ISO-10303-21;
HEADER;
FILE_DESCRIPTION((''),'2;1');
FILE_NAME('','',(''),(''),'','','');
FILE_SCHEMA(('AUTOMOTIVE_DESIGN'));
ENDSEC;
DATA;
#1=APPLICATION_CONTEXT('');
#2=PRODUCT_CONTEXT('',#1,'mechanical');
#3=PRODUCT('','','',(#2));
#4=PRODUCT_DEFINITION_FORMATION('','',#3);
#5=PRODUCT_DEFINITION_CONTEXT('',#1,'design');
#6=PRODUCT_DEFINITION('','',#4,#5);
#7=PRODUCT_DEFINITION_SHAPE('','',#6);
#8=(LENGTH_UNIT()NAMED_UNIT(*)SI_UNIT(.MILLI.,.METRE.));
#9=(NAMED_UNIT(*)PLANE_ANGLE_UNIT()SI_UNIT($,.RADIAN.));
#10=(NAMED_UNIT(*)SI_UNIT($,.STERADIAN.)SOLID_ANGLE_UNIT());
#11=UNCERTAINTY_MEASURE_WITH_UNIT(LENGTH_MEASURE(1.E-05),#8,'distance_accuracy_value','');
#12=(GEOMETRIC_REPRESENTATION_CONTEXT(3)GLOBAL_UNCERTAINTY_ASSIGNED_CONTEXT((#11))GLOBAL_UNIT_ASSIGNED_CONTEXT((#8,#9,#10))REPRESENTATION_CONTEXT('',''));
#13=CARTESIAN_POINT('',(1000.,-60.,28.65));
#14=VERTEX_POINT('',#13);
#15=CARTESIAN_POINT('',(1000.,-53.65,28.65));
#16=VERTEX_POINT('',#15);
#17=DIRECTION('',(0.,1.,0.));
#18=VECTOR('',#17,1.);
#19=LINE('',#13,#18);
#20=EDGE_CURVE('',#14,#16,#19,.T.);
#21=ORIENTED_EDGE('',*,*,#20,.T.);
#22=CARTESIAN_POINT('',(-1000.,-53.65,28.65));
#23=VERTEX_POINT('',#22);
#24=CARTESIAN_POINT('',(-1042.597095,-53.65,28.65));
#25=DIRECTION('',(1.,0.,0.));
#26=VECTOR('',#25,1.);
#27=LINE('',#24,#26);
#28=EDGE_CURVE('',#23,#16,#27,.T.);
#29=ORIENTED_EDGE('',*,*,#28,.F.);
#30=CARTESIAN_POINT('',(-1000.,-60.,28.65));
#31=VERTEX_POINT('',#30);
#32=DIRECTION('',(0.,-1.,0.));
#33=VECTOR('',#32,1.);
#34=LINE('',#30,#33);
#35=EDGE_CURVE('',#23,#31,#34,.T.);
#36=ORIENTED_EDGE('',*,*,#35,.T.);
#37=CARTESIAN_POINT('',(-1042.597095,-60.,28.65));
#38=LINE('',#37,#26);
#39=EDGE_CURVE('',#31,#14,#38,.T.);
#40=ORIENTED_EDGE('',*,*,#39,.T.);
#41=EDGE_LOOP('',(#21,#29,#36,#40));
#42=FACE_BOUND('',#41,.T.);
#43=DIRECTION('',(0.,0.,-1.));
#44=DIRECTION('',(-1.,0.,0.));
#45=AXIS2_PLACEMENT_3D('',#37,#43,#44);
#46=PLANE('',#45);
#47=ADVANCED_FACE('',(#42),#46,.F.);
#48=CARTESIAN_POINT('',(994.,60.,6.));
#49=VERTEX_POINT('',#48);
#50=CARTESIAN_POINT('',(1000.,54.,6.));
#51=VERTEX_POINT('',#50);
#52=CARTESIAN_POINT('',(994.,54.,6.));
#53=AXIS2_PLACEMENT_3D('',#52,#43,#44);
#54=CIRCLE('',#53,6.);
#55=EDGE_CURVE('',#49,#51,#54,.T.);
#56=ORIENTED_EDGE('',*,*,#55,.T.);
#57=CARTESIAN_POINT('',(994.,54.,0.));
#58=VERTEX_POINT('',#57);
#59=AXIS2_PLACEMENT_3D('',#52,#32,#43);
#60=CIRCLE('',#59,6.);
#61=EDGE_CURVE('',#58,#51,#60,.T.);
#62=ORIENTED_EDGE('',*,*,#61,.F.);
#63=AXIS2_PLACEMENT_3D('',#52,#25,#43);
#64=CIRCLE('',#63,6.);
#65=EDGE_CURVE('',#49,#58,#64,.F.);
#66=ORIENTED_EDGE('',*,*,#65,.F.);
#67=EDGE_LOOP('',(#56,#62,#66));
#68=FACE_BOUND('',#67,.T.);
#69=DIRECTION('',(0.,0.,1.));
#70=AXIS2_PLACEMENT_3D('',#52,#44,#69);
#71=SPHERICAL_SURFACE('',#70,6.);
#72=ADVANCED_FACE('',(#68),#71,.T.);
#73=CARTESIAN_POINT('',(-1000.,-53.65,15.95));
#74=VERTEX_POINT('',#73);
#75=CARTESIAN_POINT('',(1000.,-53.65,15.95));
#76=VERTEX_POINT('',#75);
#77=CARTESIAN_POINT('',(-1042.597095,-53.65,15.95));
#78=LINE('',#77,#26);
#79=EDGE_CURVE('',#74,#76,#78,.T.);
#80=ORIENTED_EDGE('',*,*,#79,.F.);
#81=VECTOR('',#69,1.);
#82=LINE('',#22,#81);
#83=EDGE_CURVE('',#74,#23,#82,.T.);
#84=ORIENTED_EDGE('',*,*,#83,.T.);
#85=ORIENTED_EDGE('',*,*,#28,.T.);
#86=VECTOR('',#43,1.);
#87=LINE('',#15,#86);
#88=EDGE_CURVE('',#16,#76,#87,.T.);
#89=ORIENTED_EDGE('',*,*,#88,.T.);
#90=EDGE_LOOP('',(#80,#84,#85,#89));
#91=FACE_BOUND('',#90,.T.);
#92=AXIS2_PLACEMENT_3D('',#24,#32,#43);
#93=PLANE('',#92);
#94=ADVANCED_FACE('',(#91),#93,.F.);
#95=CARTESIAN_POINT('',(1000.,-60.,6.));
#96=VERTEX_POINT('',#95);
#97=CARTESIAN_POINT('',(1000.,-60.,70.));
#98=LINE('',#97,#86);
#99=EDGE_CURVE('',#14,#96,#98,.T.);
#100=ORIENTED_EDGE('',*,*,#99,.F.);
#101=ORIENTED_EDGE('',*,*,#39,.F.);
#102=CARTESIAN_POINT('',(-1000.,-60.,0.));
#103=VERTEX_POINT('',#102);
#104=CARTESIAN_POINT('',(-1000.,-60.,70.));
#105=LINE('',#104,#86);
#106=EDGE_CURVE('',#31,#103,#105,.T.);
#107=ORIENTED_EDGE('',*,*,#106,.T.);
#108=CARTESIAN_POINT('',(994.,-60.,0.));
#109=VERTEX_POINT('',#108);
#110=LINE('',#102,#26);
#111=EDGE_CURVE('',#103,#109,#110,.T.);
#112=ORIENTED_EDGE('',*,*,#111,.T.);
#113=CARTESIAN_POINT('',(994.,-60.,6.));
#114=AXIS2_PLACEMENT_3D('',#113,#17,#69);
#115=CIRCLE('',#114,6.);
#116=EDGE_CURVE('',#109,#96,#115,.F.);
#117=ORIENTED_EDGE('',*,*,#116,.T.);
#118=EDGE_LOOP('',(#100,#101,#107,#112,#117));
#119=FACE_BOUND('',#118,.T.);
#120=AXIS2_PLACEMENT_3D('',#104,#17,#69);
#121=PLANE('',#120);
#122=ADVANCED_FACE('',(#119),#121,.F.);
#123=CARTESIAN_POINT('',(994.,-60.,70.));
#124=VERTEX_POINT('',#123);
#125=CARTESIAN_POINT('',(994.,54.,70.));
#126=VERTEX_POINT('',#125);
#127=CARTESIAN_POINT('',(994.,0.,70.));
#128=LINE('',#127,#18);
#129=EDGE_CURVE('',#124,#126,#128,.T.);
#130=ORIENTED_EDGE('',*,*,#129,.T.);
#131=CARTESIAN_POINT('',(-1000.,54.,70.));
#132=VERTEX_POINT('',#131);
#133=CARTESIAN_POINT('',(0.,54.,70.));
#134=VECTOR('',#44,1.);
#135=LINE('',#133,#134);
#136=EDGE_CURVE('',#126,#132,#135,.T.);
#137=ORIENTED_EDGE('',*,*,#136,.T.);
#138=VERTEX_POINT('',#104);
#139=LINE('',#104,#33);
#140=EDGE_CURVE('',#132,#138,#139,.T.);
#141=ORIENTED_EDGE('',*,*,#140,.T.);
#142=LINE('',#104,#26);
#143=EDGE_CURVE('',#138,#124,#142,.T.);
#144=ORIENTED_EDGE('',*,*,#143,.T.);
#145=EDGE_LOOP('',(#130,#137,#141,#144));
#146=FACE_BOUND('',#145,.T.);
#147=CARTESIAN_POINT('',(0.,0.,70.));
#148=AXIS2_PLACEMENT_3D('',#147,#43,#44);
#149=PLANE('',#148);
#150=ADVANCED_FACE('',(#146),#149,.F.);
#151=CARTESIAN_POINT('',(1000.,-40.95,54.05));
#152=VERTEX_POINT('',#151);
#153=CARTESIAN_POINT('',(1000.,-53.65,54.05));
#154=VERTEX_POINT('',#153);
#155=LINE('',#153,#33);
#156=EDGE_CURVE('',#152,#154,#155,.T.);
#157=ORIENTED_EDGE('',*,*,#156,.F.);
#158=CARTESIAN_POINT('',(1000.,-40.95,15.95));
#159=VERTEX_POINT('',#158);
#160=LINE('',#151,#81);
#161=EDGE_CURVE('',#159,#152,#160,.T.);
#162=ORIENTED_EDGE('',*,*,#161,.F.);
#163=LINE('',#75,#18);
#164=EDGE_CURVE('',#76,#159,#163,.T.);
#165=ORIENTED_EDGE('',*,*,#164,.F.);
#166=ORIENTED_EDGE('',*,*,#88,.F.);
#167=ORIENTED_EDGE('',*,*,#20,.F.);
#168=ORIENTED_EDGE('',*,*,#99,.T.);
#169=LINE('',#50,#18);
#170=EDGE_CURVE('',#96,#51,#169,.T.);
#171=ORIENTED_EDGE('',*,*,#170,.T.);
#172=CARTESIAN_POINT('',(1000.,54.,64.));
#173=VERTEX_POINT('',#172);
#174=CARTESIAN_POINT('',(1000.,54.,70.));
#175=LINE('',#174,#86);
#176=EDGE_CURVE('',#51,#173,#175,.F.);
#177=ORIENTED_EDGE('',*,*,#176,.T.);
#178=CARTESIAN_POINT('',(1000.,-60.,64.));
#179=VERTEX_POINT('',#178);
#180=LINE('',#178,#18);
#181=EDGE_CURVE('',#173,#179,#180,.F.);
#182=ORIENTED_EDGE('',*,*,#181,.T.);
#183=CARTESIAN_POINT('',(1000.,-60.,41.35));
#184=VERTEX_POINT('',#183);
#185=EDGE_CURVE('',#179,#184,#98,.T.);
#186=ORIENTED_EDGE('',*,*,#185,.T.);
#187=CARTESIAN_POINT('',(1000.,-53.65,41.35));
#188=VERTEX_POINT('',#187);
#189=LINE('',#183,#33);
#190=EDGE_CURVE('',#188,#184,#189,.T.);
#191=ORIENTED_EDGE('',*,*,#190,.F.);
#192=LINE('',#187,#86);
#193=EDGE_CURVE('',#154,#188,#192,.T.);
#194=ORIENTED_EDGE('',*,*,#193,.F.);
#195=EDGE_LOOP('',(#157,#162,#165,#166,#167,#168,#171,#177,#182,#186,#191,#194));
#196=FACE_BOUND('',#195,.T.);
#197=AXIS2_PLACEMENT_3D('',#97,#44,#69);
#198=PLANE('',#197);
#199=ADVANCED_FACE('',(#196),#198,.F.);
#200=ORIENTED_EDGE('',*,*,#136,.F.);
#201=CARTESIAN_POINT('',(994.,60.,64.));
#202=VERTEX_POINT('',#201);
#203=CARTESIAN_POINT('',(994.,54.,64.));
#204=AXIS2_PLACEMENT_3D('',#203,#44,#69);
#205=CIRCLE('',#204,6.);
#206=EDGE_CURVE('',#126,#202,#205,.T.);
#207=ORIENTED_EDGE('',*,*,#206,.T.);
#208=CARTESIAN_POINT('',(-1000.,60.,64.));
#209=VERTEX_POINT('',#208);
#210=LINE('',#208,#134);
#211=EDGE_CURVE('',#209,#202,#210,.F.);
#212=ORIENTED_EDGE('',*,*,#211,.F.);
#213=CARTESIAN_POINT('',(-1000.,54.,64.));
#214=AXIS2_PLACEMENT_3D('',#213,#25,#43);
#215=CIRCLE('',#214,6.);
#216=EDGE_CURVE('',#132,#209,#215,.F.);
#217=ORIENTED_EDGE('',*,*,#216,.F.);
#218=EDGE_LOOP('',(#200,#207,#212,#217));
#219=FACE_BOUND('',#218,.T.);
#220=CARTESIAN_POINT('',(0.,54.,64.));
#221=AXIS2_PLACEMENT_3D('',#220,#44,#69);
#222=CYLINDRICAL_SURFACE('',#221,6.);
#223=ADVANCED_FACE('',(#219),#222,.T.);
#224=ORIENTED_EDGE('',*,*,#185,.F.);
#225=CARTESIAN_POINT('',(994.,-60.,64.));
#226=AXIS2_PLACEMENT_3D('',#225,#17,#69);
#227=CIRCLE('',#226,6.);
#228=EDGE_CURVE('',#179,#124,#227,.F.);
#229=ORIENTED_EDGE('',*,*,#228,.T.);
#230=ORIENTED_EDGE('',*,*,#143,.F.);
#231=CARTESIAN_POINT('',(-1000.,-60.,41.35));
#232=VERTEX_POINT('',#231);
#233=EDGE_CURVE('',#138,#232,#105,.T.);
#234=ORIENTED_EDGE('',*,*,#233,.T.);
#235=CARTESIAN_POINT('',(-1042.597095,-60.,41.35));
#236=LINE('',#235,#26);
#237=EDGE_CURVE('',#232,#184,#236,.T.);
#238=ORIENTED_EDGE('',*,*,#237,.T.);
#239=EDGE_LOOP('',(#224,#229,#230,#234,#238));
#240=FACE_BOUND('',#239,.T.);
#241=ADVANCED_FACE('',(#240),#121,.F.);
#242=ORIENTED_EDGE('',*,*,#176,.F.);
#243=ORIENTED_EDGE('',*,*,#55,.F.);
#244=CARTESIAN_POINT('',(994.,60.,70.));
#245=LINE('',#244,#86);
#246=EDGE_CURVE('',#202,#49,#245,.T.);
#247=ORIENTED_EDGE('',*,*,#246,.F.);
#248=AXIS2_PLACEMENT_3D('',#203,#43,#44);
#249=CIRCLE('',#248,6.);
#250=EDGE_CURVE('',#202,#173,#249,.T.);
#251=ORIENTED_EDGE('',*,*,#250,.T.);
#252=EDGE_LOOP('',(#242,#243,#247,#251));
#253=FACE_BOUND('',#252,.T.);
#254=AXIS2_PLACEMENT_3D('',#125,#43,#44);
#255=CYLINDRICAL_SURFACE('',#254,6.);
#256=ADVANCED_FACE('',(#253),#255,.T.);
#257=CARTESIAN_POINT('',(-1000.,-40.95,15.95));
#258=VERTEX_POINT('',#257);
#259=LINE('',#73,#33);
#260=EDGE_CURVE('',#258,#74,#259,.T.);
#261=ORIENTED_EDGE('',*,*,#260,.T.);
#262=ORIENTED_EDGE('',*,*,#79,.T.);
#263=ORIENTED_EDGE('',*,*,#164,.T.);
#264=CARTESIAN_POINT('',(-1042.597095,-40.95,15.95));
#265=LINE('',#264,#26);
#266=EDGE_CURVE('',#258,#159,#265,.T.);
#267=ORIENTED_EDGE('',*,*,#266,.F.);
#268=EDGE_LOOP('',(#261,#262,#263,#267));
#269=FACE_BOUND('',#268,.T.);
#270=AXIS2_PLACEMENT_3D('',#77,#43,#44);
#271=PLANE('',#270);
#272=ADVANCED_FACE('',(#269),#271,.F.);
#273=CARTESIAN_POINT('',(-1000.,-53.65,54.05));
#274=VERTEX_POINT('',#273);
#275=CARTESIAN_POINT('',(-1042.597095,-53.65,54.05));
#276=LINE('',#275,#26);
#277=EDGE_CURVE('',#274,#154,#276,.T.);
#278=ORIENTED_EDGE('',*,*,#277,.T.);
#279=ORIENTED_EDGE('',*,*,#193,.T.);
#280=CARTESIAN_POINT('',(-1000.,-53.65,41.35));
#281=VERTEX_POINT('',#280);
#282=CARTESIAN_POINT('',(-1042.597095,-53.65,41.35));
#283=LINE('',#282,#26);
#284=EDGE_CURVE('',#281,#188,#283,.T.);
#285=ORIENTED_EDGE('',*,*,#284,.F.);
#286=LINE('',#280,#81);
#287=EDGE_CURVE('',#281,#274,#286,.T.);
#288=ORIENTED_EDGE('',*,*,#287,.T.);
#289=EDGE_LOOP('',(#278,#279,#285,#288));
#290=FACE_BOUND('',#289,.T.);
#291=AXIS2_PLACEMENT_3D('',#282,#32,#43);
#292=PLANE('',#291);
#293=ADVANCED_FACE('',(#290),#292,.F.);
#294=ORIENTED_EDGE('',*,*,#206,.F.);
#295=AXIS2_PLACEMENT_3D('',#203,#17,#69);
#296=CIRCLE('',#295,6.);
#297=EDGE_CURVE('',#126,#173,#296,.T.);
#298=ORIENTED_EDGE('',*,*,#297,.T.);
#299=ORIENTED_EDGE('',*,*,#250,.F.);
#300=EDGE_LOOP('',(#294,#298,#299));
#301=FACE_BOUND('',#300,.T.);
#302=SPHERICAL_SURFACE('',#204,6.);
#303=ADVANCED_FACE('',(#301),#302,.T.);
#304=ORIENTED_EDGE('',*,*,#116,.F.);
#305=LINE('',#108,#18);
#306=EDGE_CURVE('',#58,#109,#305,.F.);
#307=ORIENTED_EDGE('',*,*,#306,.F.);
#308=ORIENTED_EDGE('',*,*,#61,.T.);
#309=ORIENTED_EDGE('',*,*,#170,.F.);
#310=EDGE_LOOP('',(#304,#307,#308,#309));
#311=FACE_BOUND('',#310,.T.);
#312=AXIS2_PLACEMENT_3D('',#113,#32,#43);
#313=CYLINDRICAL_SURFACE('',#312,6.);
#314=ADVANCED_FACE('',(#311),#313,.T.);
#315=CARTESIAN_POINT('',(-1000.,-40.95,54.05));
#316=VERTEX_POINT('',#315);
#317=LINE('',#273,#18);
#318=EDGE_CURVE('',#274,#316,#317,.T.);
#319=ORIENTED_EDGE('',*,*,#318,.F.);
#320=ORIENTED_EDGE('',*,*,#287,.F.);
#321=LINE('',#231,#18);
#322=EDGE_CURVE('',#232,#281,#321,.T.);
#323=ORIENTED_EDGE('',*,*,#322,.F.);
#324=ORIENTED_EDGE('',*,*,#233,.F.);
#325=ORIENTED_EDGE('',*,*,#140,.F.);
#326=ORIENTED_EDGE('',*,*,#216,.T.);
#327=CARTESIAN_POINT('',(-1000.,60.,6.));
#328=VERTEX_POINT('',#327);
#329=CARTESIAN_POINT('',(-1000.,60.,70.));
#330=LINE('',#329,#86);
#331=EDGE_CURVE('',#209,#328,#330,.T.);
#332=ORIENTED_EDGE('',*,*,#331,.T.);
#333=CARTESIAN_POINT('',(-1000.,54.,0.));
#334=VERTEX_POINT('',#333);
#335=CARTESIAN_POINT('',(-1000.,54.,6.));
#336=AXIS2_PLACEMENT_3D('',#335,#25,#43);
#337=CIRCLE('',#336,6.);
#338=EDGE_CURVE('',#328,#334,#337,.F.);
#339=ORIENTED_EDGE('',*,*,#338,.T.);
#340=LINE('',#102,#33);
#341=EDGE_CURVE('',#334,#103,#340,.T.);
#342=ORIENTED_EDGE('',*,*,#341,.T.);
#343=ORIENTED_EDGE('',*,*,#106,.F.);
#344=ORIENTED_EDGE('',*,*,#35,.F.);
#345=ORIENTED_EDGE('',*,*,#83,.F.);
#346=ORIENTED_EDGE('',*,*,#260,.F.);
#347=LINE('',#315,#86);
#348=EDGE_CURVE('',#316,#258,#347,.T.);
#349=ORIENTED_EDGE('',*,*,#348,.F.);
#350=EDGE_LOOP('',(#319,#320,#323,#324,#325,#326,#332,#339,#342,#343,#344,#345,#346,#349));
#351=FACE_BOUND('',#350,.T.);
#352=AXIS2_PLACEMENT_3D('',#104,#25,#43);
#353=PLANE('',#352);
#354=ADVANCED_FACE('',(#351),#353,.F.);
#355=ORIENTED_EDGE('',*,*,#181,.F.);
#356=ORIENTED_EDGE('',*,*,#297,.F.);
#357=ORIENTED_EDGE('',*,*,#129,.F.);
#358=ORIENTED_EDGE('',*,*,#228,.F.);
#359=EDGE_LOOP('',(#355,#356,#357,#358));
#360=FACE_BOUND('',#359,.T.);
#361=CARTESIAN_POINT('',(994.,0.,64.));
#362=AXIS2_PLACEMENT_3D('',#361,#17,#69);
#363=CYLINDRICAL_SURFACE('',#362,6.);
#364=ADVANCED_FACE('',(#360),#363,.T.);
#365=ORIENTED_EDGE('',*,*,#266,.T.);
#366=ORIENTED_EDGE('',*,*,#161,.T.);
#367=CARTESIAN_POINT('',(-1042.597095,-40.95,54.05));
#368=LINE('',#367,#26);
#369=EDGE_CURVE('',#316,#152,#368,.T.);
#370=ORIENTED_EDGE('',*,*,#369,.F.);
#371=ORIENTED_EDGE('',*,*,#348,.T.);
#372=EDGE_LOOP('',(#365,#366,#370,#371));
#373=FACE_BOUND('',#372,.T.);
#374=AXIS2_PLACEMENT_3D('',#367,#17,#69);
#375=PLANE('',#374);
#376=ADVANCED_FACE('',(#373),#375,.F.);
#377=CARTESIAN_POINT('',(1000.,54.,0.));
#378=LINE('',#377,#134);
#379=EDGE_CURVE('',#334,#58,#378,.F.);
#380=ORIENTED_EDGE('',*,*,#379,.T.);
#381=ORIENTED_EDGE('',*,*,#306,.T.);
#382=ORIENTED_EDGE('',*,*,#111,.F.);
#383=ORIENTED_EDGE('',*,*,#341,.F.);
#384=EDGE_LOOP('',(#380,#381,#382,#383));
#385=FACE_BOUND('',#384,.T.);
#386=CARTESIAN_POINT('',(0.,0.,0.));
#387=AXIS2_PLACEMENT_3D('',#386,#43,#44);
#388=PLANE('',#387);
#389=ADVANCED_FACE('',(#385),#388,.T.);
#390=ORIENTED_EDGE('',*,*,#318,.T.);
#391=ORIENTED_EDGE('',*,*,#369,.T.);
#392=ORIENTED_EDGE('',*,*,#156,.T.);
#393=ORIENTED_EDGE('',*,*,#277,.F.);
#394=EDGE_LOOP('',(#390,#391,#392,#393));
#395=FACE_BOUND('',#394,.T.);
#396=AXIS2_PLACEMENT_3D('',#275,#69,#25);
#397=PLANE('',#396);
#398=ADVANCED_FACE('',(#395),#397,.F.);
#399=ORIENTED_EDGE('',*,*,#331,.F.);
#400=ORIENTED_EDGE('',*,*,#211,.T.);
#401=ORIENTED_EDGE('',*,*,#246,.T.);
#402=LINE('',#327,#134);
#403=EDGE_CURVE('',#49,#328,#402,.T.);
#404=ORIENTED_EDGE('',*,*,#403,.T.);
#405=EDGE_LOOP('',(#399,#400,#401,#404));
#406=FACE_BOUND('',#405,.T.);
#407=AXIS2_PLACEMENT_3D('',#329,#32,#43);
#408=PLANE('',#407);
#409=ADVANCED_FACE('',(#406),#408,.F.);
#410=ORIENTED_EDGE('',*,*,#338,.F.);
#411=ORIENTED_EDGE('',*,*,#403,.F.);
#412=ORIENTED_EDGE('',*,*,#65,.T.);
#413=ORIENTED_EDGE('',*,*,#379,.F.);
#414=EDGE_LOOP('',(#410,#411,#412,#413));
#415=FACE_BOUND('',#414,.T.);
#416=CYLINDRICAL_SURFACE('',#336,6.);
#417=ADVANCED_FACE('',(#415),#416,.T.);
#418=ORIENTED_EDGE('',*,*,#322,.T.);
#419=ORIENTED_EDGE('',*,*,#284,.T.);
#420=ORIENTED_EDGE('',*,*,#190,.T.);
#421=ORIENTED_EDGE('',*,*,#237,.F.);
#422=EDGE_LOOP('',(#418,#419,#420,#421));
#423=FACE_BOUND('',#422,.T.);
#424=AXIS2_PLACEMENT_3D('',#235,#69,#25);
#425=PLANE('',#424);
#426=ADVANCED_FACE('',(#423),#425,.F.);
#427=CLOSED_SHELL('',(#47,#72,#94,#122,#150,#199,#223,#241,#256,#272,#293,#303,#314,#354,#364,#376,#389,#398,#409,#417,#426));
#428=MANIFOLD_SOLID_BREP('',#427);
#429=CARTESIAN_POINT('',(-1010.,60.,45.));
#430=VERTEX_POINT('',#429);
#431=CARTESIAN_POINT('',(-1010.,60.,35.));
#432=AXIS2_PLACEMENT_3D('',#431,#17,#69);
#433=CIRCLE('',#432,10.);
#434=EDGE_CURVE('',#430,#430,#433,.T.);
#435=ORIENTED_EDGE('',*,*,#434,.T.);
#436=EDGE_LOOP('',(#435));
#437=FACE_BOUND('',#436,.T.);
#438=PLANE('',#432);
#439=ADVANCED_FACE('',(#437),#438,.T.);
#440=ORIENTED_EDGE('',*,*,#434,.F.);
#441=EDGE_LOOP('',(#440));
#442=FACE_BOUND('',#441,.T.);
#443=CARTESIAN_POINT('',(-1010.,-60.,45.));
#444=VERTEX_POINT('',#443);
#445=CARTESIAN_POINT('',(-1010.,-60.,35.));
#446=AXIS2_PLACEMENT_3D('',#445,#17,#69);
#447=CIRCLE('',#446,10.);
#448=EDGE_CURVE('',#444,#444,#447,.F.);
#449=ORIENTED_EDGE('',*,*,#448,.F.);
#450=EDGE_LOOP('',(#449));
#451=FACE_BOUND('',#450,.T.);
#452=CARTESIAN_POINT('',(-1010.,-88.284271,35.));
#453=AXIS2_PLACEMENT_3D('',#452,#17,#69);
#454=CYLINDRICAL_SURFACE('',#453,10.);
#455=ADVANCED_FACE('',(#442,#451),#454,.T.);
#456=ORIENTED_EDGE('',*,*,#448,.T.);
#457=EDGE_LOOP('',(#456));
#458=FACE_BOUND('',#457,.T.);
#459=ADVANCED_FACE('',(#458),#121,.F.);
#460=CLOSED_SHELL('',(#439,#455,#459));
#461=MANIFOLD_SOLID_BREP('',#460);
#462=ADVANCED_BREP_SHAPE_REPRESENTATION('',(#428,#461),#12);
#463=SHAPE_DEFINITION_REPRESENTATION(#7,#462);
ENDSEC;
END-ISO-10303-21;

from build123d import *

# Parameters (mm, degrees)
CROQUIS1_W              = 2000
CROQUIS1_H              = 120
SALIENTE_EXTRUIR1_DEPTH = 70
CROQUIS2_R              = 10
SALIENTE_EXTRUIR2_DEPTH = 120
CORTAR_EXTRUIR1_DEPTH   = 2000
REDONDEO1_R             = 6
REDONDEO2_R             = 6


with BuildPart() as part:
    # Croquis1 → Saliente-Extruir1 (new body)
    with BuildSketch(Plane.XY):
        Rectangle(CROQUIS1_W, CROQUIS1_H)
    extrude(amount=SALIENTE_EXTRUIR1_DEPTH)

    # Croquis3 → Cortar-Extruir1 (cut)
    with BuildSketch(Plane(origin=(1000, 0, 0), x_dir=(0, 0, -1), z_dir=(1, 0, 0))):
        Polygon((-41.35, -60), (-41.35, -53.65), (-54.05, -53.65), (-54.05, -40.95), (-15.95, -40.95), (-15.95, -53.65), (-28.65, -53.65), (-28.65, -60), align=None)
    extrude(amount=-CORTAR_EXTRUIR1_DEPTH, mode=Mode.SUBTRACT)

    # Redondeo1
    redondeo1_edges = [part.edges().sort_by_distance(p)[0] for p in [
        (0, 60, 0),
        (0, 60, 70),
    ]]
    fillet(redondeo1_edges, radius=REDONDEO1_R)

    # Redondeo2
    redondeo2_edges = [part.edges().sort_by_distance(p)[0] for p in [
        (1000, -3, 70),
        (1000, 60, 35),
        (1000, 58.242640687, 68.242640687),
        (1000, 58.242640687, 1.757359313),
        (1000, -3, 0),
    ]]
    fillet(redondeo2_edges, radius=REDONDEO2_R)


with BuildPart() as body_2:
    # Croquis2 → Saliente-Extruir2 (new body)
    with BuildSketch(Plane(origin=(0, 60, 0), x_dir=(1, 0, 0), z_dir=(0, 1, 0))):
        with Locations(Location((-1010, -35, 0), (0, 0, 270))):
            Circle(CROQUIS2_R)
    extrude(amount=-SALIENTE_EXTRUIR2_DEPTH)


solid = Compound([part.part, body_2.part])
